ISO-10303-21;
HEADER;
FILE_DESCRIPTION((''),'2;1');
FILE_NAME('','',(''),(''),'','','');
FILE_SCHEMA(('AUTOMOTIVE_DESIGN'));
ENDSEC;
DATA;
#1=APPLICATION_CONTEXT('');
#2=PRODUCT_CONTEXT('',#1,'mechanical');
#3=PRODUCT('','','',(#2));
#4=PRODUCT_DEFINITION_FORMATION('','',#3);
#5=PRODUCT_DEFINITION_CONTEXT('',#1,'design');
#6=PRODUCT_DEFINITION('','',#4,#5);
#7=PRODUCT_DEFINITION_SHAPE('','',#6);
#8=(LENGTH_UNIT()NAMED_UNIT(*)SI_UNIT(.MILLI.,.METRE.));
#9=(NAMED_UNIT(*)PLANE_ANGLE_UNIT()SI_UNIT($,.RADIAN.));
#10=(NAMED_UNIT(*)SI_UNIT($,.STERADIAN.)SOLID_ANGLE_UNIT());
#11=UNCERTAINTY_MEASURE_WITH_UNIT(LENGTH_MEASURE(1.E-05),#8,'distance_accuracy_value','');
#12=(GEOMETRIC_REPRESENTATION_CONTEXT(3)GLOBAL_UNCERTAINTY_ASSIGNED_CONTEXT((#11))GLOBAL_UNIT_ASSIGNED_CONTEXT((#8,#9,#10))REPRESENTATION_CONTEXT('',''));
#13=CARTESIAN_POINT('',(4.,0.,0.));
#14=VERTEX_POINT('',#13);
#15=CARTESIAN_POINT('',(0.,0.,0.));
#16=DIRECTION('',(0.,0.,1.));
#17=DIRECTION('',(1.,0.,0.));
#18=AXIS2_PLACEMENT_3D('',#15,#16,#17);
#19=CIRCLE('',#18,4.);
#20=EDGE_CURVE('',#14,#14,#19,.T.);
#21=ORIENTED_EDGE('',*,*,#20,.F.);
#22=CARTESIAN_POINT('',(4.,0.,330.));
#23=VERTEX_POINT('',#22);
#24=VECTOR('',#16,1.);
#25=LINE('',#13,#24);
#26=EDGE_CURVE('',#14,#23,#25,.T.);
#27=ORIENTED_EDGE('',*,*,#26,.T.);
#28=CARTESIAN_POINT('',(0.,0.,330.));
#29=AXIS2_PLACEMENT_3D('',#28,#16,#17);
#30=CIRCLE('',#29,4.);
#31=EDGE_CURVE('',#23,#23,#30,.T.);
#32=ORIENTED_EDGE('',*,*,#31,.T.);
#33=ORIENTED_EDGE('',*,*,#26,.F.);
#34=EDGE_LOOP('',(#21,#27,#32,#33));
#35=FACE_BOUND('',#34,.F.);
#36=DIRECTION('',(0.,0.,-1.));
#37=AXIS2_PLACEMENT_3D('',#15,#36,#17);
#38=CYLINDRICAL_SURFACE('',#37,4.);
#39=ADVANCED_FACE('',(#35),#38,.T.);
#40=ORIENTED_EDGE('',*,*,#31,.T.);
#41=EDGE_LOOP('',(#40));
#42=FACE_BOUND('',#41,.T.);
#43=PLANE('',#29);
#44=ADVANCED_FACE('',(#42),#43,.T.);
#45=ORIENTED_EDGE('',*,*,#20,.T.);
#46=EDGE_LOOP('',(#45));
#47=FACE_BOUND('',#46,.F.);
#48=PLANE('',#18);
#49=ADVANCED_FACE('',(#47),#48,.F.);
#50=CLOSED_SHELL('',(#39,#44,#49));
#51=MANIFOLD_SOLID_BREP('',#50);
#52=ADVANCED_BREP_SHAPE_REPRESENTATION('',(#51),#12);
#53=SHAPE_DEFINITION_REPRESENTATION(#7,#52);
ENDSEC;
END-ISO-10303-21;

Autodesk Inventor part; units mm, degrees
ref_plane "YZ Plane" through (0, 0, 0) normal (1, 0, 0) x (0, 1, 0)
ref_plane "XZ Plane" through (0, 0, 0) normal (0, 1, 0) x (-1, 0, 0)
ref_plane "XY Plane" through (0, 0, 0) normal (0, 0, 1) x (1, 0, 0)
sketch "Sketch1" plane through (0, 0, 0) normal (0, 0, 1) x (1, 0, 0)
  circle A0 centre (0, 0) radius 4
  dimension "d0" = 8
extrude "Extrusion1" add sketch "Sketch1" along normal blind 330
thread "Thread1" size "M8x1.25" class "6g" standard "ANSI Metric M Profile" full length
properties part number "Thread_Shaft_330mm"
